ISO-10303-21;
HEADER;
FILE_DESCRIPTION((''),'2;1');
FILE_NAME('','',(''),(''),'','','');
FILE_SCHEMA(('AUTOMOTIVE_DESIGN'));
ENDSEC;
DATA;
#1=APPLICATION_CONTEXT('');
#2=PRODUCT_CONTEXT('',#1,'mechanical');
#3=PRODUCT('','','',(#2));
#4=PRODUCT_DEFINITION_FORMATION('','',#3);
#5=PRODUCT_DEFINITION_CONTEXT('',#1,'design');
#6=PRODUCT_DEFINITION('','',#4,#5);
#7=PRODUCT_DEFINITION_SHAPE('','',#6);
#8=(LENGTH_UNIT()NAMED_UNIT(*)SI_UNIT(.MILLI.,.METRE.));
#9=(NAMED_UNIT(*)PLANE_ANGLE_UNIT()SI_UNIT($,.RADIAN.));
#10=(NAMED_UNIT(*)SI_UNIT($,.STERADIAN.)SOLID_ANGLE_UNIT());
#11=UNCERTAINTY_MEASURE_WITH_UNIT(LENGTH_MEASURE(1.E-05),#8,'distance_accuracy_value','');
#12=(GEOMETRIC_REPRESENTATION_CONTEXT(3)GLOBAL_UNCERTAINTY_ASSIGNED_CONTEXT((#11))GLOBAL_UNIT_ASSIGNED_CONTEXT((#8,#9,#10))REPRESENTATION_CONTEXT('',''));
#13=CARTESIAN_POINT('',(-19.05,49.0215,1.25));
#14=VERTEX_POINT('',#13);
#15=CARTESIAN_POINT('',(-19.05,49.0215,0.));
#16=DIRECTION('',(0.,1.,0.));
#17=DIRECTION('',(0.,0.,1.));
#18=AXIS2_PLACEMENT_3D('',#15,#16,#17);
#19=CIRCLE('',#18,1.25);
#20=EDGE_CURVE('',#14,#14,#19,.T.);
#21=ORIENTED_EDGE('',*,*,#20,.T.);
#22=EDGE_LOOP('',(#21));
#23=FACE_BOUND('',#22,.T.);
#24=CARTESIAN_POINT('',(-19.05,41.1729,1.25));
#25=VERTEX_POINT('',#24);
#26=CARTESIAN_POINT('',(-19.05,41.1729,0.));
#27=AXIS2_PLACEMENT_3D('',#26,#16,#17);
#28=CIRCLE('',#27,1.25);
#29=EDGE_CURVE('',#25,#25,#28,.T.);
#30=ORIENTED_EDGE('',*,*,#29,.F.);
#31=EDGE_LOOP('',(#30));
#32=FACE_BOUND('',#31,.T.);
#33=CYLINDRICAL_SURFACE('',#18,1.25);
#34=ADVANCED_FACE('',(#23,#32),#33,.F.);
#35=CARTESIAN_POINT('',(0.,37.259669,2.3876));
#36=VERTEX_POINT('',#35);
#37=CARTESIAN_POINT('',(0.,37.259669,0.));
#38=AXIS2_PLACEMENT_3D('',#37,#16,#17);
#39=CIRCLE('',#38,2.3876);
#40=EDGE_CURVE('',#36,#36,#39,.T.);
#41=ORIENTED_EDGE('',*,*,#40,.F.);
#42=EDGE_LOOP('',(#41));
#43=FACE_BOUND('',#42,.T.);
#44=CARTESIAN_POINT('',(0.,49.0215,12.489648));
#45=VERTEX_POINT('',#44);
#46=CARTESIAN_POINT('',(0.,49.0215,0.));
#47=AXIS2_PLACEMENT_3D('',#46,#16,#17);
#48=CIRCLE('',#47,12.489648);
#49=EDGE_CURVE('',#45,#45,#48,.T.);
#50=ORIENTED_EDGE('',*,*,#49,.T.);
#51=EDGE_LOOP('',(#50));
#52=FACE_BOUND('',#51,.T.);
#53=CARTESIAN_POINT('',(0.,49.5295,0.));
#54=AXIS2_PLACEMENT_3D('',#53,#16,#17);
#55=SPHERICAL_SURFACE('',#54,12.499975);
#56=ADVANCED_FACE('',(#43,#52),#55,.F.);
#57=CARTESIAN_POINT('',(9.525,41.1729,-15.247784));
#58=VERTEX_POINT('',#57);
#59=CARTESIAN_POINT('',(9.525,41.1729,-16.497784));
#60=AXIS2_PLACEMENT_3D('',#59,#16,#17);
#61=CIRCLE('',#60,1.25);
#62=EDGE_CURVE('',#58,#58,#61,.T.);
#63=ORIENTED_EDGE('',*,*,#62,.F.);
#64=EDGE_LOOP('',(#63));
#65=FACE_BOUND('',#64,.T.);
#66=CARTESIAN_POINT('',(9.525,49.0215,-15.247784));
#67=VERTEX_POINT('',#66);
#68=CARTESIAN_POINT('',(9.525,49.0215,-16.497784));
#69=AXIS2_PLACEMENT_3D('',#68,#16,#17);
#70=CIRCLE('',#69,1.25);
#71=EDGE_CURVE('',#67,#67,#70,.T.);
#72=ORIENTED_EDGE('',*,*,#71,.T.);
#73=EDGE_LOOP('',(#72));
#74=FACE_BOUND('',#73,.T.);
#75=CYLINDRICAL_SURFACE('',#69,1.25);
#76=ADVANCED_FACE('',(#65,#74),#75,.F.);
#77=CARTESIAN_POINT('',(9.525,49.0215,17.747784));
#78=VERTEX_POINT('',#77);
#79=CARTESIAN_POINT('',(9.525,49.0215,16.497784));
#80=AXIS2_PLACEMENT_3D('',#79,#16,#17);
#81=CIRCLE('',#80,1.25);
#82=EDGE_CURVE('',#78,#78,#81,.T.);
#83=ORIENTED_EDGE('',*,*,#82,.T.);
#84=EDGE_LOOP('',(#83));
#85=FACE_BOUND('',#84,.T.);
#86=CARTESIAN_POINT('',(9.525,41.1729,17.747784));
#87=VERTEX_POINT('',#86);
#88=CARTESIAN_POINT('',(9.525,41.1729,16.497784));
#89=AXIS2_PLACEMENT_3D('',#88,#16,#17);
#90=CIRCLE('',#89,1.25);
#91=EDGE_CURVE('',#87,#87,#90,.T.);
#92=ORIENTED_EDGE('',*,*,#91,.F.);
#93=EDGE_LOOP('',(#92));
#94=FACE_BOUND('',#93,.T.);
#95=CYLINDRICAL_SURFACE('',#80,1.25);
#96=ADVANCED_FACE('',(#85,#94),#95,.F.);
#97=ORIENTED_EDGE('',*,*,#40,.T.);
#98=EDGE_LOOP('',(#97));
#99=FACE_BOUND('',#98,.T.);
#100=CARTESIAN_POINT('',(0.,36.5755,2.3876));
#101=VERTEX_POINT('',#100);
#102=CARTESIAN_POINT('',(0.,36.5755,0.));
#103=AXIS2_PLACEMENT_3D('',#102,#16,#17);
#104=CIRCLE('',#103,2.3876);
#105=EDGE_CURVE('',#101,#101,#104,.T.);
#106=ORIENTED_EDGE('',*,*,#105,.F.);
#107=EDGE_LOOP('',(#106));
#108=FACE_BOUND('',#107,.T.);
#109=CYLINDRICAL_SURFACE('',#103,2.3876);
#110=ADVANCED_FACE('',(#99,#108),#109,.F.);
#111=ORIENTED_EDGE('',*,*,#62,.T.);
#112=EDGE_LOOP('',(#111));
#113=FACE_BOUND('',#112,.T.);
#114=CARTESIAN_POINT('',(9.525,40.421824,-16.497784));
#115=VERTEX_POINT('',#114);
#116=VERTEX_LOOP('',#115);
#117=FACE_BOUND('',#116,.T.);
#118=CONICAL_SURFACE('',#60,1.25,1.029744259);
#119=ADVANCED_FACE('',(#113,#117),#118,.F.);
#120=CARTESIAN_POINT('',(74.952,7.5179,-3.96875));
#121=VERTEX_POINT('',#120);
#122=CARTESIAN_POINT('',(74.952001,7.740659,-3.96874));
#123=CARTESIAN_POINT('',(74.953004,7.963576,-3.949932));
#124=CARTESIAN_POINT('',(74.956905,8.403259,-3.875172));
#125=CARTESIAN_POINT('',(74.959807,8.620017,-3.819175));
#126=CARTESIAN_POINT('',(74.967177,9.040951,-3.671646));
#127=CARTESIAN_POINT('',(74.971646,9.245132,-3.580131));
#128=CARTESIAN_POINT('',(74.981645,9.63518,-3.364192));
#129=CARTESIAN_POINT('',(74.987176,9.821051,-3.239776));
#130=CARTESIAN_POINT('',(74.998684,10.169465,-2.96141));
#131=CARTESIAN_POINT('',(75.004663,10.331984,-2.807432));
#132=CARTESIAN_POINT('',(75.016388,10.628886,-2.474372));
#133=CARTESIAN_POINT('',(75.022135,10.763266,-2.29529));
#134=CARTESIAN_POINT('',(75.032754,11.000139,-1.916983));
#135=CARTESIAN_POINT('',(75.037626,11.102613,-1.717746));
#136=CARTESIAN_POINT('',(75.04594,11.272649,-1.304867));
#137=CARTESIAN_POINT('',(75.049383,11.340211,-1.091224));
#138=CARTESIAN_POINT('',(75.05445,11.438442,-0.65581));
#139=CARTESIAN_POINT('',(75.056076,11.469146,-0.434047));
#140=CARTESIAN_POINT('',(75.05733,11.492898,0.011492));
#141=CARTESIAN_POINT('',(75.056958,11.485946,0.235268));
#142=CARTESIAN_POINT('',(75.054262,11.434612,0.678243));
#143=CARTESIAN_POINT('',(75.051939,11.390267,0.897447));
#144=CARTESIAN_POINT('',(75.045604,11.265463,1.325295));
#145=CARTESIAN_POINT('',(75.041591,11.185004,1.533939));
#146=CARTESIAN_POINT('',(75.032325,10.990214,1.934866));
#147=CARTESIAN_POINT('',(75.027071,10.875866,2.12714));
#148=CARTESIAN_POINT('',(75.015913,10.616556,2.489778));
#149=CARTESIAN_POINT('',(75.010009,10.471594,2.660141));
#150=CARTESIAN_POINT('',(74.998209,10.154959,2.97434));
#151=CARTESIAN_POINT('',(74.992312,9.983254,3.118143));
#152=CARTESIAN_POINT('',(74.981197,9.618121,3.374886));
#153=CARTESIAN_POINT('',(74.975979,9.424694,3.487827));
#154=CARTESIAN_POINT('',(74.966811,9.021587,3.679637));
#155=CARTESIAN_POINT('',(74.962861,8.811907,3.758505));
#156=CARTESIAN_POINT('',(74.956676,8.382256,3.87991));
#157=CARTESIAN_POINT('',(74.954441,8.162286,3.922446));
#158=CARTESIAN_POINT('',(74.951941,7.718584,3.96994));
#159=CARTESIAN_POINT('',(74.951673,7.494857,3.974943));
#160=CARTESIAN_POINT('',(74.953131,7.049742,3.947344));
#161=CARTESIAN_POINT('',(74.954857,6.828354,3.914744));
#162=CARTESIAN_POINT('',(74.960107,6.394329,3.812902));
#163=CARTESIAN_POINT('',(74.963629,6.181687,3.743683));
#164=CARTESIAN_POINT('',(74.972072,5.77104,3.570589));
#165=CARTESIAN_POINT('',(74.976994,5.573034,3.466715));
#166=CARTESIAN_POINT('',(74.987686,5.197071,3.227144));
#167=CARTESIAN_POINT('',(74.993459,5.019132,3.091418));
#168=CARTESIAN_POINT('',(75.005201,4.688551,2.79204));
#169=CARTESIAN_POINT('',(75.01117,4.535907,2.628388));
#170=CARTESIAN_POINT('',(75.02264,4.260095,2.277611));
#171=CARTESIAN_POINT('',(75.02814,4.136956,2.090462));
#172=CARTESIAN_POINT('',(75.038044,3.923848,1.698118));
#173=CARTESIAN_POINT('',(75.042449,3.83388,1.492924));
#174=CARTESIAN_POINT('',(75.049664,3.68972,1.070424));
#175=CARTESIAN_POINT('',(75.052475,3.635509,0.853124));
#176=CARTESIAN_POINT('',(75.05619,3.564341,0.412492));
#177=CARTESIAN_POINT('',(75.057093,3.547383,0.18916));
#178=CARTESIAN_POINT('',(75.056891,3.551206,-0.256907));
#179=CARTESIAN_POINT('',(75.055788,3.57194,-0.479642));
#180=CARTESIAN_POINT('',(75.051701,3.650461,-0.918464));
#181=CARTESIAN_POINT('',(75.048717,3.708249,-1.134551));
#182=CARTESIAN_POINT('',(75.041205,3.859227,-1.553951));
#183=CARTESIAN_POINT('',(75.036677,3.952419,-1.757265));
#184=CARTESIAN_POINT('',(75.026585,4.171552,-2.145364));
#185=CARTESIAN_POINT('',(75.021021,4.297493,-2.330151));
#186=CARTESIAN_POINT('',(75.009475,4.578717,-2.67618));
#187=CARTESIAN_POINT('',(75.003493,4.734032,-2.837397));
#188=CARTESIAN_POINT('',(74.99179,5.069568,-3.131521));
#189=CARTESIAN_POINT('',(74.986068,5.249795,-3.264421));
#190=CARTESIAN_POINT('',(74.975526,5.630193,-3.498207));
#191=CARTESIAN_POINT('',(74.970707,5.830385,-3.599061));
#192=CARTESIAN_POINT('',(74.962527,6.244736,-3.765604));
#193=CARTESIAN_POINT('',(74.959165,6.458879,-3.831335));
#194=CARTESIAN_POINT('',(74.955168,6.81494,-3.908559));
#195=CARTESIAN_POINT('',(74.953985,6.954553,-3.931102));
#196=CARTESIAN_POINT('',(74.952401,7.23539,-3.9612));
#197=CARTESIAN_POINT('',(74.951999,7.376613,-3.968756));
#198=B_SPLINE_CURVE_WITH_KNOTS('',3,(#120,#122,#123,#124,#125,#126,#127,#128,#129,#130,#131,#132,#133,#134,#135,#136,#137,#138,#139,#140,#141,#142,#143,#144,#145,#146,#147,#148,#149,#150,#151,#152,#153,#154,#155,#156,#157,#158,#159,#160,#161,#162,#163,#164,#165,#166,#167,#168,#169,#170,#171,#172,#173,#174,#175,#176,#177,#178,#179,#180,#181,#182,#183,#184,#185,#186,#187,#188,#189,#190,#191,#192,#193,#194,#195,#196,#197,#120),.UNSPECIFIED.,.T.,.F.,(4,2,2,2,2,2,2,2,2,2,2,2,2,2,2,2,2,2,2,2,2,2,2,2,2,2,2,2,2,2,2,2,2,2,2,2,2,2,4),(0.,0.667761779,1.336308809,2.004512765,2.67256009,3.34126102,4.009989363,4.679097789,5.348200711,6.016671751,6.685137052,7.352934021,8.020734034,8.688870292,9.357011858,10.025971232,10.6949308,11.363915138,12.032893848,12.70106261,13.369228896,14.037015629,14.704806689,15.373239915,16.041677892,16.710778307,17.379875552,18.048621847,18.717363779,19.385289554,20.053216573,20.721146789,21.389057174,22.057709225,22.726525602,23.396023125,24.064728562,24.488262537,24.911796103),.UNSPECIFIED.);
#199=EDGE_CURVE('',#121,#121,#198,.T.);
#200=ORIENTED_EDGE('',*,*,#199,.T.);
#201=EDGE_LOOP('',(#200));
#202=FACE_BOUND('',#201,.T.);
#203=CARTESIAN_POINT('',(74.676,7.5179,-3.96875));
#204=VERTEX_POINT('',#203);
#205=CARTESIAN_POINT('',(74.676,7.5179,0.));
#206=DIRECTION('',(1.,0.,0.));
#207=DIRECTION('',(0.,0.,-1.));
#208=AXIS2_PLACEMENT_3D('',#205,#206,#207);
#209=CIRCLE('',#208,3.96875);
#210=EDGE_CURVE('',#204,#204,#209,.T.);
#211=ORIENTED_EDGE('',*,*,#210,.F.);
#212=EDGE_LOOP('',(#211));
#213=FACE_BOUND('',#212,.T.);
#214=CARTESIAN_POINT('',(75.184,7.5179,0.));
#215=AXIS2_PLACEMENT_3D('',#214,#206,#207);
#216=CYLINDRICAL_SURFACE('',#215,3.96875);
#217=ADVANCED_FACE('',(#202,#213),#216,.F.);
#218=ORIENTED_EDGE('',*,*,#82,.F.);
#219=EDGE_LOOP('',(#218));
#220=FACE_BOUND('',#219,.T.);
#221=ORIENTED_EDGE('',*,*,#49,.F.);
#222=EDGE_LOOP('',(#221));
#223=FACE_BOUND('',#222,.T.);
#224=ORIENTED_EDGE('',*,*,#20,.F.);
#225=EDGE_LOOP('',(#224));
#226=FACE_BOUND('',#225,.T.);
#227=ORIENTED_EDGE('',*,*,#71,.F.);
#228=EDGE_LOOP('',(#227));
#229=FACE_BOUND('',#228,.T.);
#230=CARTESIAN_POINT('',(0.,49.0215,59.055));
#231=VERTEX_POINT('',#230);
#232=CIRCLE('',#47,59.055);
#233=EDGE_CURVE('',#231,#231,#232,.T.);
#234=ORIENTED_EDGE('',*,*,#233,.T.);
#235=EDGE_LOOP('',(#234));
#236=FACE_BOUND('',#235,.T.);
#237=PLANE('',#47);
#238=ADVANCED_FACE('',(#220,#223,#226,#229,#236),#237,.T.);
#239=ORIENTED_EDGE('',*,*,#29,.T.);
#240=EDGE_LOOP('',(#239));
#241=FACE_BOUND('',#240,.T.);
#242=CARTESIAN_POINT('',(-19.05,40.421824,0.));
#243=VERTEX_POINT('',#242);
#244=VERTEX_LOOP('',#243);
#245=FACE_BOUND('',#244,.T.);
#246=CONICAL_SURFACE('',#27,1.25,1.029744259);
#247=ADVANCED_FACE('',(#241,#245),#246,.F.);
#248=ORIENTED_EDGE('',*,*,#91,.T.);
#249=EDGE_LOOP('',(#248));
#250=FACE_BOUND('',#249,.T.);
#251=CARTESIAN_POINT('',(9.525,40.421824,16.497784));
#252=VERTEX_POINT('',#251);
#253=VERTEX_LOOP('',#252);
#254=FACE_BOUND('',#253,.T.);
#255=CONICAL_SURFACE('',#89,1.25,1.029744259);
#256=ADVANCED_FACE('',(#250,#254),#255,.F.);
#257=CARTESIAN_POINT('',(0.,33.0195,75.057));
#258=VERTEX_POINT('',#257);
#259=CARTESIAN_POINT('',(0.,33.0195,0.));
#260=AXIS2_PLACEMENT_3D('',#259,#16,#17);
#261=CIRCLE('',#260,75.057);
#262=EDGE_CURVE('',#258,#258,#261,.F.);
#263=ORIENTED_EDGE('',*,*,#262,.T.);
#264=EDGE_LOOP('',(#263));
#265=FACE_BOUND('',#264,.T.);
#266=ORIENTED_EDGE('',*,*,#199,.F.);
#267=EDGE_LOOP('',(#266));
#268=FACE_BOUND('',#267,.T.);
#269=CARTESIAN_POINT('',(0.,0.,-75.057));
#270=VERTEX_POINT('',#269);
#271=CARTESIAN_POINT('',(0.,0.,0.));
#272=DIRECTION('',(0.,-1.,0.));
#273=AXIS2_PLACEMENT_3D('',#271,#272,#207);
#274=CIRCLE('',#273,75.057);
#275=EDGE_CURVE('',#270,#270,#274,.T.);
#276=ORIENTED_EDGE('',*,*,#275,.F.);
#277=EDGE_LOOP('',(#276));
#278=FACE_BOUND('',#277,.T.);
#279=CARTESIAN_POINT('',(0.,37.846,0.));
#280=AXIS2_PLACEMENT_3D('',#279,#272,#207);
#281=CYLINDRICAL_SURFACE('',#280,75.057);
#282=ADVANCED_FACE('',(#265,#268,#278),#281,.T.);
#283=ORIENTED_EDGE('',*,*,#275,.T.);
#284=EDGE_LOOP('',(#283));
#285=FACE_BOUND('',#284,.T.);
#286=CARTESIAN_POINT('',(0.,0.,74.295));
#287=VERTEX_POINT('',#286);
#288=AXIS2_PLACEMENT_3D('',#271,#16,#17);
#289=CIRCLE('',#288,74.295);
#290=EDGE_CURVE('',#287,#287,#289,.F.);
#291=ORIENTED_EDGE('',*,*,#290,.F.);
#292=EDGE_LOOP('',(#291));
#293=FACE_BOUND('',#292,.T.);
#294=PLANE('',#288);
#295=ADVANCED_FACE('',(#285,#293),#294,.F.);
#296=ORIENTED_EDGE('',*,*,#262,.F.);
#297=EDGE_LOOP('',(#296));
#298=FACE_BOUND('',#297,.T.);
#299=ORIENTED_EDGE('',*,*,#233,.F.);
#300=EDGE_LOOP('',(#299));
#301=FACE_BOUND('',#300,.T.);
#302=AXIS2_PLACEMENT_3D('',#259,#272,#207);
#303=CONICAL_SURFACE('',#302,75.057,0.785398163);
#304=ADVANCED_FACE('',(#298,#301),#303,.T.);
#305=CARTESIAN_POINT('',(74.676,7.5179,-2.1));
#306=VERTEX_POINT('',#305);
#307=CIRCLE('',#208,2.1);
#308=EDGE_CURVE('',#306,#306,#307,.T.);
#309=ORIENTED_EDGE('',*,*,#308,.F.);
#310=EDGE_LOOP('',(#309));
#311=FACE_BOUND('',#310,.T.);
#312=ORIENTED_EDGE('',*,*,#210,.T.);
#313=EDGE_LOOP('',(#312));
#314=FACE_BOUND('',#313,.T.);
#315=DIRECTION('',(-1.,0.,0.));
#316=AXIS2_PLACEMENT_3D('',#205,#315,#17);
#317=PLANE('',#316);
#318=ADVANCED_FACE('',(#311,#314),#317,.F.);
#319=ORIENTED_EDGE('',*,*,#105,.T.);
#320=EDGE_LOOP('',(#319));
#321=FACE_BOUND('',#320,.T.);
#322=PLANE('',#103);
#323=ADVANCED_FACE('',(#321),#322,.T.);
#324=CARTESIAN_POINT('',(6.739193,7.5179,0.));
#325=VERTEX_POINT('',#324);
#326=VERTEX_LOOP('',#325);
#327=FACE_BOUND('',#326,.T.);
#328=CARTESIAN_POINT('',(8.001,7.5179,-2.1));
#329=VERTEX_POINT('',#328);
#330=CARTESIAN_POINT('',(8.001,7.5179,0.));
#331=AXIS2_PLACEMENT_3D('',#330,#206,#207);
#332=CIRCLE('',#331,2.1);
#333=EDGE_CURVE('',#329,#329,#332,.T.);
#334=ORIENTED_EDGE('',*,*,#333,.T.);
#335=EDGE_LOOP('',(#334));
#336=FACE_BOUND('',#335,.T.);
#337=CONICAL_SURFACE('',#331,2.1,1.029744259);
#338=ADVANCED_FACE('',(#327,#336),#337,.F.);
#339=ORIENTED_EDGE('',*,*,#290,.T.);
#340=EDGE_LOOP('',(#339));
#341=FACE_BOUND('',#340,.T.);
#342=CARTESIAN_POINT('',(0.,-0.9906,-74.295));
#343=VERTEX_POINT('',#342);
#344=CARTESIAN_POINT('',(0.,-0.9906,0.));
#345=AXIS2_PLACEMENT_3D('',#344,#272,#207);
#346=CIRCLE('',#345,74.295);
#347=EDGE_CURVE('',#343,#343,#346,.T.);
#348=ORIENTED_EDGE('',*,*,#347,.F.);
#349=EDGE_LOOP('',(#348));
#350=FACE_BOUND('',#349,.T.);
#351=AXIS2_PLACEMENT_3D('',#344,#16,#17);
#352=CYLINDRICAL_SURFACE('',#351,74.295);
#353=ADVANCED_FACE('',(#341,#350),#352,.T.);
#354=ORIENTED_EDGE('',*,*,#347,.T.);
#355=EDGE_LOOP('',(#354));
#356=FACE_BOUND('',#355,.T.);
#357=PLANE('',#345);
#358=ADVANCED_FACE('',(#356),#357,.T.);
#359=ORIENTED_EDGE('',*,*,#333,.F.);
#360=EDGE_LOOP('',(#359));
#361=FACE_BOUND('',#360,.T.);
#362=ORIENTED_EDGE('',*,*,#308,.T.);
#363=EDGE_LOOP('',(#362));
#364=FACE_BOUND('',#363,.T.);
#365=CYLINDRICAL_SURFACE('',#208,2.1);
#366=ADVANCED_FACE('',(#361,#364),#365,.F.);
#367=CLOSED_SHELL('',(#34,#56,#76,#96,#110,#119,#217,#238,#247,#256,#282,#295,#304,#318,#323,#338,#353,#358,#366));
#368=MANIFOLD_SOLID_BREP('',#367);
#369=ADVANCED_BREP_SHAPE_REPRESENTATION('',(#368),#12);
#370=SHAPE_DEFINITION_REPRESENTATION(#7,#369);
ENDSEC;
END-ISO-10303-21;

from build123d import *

# Parameters (mm, degrees)
SKETCH1_R                          = 76.2
MAIN_EXTRUDE_DEPTH                 = 50.5582
SKETCH4_R                          = 76.2
SKETCH4_R_2                        = 75.057
TURN_OUTSIDE_DEPTH                 = 37.846
SKETCH5_R                          = 74.295
EXTRUDE1_DEPTH                     = 0.9906
SKETCH7_R                          = 76.2
FACE_BOTTOM_DEPTH                  = 1.5367
SKETCH8_R                          = 76.2
SKETCH8_R_2                        = 75.057
TURN_REST_OF_OUTSIDE_DEPTH         = 12.1755
SKETCH3_R                          = 2.3876
PILOT_HOLE_FOR_BALL_DEPTH          = 12.446
SPHERICAL_BALL_ANGLE               = 180
CHAMFER1_SIZE                      = 16.002
F_5_16_0_3125_DIAMETER_HOLE1_D     = 7.9375
F_5_16_0_3125_DIAMETER_HOLE1_DEPTH = 0.508
RETAINER_HOLE_PATTERN_COUNT        = 3
M5X0_8_TAPPED_HOLE1_D              = 4.2
M5X0_8_TAPPED_HOLE1_DEPTH          = 66.675
M5X0_8_TAPPED_HOLE1_TIP            = 1.2618073


with BuildPart() as part:
    # Sketch1 → Main Extrude (new body)
    with BuildSketch(Plane(origin=(0, 0, 0), x_dir=(1, 0, 0), z_dir=(0, 1, 0))):
        with Locations(Location((0, 0, 0), (0, 0, 270))):  # turned: the seam where the file's is
            Circle(SKETCH1_R)
    extrude(amount=MAIN_EXTRUDE_DEPTH)

    # Sketch4 → Turn Outside (cut)
    with BuildSketch(Plane.XZ):
        with Locations(Location((0, 0, 0), (0, 0, 270))):  # turned: the seam where the file's is
            Circle(SKETCH4_R)
        with Locations(Location((0, 0, 0), (0, 0, 270))):  # turned: the seam where the file's is
            Circle(SKETCH4_R_2, mode=Mode.SUBTRACT)
    extrude(amount=-TURN_OUTSIDE_DEPTH, mode=Mode.SUBTRACT)

    # Sketch5 → Extrude1 (add)
    with BuildSketch(Plane.XZ):
        with Locations(Location((0, 0, 0), (0, 0, 90))):  # turned: the seam where the file's is
            Circle(SKETCH5_R)
    extrude(amount=EXTRUDE1_DEPTH)

    # Sketch7 → Face Bottom (cut)
    with BuildSketch(Plane(origin=(0, 50.5582, 0), x_dir=(-1, 0, 0), z_dir=(0, 1, 0))):
        with Locations(Location((0, 0, 0), (0, 0, 270))):  # turned: the seam where the file's is
            Circle(SKETCH7_R)
    extrude(amount=-FACE_BOTTOM_DEPTH, mode=Mode.SUBTRACT)

    # Sketch8 → Turn rest of outside (cut, through all)
    with BuildSketch(Plane.XZ.offset(-37.846)):
        Circle(SKETCH8_R)
        with Locations(Location((0, 0, 0), (0, 0, 270))):  # turned: the seam where the file's is
            Circle(SKETCH8_R_2, mode=Mode.SUBTRACT)
    extrude(amount=-TURN_REST_OF_OUTSIDE_DEPTH, mode=Mode.SUBTRACT)

    # Sketch3 → Pilot hole for ball (cut)
    with BuildSketch(Plane(origin=(0, 49.0215, 0), x_dir=(-1, 0, 0), z_dir=(0, 1, 0))):
        with Locations(Location((0, 0, 0), (0, 0, 90))):  # turned: the seam where the file's is
            Circle(SKETCH3_R)
    extrude(amount=-PILOT_HOLE_FOR_BALL_DEPTH, mode=Mode.SUBTRACT)

    # Sketch2 → Spherical Ball (revolve, cut)
    with BuildSketch(Plane(origin=(0, 49.5295, 0), x_dir=(-1, 0, 0), z_dir=(0, 1, 0))):
        with BuildLine():
            Line((12.499975, 0), (-12.499975, 0))
            ThreePointArc((-12.499975, 0), (0, -12.499975), (12.499975, 0))
        make_face()
    revolve(axis=Axis((-12.499975, 49.5295, 0), (-1, 0, 0)), revolution_arc=SPHERICAL_BALL_ANGLE, mode=Mode.SUBTRACT)

    # Chamfer1
    chamfer1_edges = [part.edges().sort_by_distance(p)[0] for p in [
        (0, 49.0215, 75.057),
    ]]
    chamfer(chamfer1_edges, length=CHAMFER1_SIZE)

    # 5_16 _0.3125_ Diameter Hole1
    with Locations(Plane(origin=(75.184, 0, 0), x_dir=(0, 0, -1), z_dir=(1, 0, 0))):
        with Locations((0, 7.5179)):
            Hole(F_5_16_0_3125_DIAMETER_HOLE1_D / 2, depth=F_5_16_0_3125_DIAMETER_HOLE1_DEPTH)

    # Sketch15 → M3x0.5 Retainer Hole (revolve, cut)
    with BuildSketch(Plane(origin=(-19.05, 49.0215, 0), x_dir=(0, 0, 1), z_dir=(1, 0, 0))):
        Polygon((0, 0), (0, 8.599675774), (1.25, 7.8486), (1.25, 0), align=None)
    m3x0_5_retainer_hole = revolve(axis=Axis((-19.05, 55.3715, 0), (0, -1, 0)), mode=Mode.SUBTRACT)

    # Retainer hole pattern: M3x0.5 Retainer Hole ×3 about axis
    retainer_hole_pattern_axis = Axis((0, 0, 0), (0, 1, 0))
    for i in range(1, RETAINER_HOLE_PATTERN_COUNT):
        add(m3x0_5_retainer_hole.rotate(retainer_hole_pattern_axis, i * 360 / RETAINER_HOLE_PATTERN_COUNT), mode=Mode.SUBTRACT)

    # M5x0.8 Tapped Hole1
    with Locations(Plane(origin=(74.676, 0, 0), x_dir=(0, 0, -1), z_dir=(1, 0, 0))):
        with Locations((0, 7.5179)):
            Hole(M5X0_8_TAPPED_HOLE1_D / 2, depth=M5X0_8_TAPPED_HOLE1_DEPTH)
            with Locations((0, 0, -(M5X0_8_TAPPED_HOLE1_DEPTH + M5X0_8_TAPPED_HOLE1_TIP / 2))):  # 118° drill point
                Cone(0, M5X0_8_TAPPED_HOLE1_D / 2, M5X0_8_TAPPED_HOLE1_TIP, mode=Mode.SUBTRACT)


solid = part.part
